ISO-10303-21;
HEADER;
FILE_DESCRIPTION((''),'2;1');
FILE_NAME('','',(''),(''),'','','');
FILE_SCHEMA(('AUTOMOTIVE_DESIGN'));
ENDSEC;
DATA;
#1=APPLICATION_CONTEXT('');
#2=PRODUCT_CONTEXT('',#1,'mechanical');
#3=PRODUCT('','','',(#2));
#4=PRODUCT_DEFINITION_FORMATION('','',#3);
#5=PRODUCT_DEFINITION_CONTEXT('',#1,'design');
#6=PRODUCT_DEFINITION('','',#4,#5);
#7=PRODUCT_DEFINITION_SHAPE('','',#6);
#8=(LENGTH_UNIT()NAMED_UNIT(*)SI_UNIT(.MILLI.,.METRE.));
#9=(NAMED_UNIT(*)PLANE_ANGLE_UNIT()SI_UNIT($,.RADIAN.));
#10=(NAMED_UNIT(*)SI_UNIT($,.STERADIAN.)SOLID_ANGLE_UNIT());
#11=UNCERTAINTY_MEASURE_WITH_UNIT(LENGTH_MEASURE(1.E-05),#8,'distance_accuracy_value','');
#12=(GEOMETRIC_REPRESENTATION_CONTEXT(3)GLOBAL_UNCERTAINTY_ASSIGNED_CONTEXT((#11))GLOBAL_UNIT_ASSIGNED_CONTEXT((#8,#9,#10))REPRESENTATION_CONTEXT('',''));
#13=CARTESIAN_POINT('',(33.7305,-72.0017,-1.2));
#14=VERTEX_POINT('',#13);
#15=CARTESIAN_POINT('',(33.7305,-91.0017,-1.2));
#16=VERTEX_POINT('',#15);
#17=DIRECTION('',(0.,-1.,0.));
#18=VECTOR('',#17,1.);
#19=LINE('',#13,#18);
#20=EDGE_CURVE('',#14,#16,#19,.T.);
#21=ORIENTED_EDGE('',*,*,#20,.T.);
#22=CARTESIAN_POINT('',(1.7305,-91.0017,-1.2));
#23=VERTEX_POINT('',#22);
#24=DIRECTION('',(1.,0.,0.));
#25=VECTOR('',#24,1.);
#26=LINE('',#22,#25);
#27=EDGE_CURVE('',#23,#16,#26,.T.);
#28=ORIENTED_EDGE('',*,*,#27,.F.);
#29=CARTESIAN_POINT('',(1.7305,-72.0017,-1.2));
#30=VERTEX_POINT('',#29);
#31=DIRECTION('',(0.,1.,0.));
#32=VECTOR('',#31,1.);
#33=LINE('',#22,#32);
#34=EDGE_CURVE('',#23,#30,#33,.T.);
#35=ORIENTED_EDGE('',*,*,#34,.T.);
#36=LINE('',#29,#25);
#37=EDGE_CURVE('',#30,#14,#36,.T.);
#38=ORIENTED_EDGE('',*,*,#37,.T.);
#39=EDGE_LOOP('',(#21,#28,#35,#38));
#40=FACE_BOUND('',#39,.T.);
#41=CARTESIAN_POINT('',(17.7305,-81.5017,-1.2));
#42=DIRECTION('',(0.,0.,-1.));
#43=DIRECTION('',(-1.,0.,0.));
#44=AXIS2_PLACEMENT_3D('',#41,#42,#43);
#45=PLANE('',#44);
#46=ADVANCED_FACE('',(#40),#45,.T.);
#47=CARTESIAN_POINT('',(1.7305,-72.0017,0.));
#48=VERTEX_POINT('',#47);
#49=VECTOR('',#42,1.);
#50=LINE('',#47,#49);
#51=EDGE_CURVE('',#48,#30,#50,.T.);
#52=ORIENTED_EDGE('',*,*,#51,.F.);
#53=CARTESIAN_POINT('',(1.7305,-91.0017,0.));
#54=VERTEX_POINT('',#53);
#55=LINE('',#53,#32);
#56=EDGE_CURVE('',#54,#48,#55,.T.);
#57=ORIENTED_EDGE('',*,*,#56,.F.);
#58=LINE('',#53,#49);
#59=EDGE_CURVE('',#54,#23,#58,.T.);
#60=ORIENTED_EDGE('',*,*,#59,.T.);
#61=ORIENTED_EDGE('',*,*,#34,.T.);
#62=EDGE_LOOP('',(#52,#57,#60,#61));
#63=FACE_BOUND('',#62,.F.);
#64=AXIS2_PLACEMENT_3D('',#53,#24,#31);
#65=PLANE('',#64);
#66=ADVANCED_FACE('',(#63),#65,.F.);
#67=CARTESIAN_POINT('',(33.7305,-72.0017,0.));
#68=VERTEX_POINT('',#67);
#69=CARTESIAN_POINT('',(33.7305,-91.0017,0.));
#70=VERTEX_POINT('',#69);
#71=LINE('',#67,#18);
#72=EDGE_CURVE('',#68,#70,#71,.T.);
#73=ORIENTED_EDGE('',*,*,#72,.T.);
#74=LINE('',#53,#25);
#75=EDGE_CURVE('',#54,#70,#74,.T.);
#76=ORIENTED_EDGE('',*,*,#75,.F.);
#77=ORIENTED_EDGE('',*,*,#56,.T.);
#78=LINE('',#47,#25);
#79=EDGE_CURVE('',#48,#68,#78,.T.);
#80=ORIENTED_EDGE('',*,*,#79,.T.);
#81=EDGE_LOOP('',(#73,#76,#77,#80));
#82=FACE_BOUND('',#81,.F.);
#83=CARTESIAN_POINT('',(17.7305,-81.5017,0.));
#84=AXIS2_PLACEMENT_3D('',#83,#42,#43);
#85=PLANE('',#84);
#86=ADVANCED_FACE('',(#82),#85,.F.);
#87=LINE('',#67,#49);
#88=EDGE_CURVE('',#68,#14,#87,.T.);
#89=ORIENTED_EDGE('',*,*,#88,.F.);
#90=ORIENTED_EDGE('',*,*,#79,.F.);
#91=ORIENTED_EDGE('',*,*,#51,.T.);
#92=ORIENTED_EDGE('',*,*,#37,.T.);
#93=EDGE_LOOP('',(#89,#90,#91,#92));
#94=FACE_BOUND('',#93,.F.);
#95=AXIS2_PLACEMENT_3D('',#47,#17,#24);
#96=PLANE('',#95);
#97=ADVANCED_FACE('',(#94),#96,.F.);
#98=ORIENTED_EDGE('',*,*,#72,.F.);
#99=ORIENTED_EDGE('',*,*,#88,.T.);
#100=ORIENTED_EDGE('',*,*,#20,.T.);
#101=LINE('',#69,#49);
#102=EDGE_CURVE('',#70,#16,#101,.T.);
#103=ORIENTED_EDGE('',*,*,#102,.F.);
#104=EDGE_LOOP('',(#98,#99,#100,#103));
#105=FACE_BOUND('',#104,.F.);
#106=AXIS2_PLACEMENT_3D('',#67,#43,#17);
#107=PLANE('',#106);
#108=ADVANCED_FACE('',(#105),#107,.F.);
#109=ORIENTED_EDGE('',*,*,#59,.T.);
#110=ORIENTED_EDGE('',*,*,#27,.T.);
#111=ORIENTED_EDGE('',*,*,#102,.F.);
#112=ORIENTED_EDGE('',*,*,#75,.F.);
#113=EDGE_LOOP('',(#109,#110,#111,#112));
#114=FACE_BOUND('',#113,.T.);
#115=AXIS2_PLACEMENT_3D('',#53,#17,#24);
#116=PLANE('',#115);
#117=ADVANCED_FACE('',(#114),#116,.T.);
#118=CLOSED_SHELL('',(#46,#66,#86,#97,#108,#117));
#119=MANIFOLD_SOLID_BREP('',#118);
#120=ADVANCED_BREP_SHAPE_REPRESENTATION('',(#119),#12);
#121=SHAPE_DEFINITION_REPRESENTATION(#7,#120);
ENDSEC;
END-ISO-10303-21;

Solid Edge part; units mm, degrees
sketch "Sketch1" plane through (0, 0, 0) normal (0, 0, 1) x (1, 0, 0)
  line L0 (33.7305, -72.0017) -> (33.7305, -91.0017)
  line L1 (1.7305, -91.0017) -> (33.7305, -91.0017)
  line L2 (1.7305, -91.0017) -> (1.7305, -72.0017)
  line L3 (1.7305, -72.0017) -> (33.7305, -72.0017)
extrude "Protrusion1" add sketch "Sketch1" against normal blind 1.2
